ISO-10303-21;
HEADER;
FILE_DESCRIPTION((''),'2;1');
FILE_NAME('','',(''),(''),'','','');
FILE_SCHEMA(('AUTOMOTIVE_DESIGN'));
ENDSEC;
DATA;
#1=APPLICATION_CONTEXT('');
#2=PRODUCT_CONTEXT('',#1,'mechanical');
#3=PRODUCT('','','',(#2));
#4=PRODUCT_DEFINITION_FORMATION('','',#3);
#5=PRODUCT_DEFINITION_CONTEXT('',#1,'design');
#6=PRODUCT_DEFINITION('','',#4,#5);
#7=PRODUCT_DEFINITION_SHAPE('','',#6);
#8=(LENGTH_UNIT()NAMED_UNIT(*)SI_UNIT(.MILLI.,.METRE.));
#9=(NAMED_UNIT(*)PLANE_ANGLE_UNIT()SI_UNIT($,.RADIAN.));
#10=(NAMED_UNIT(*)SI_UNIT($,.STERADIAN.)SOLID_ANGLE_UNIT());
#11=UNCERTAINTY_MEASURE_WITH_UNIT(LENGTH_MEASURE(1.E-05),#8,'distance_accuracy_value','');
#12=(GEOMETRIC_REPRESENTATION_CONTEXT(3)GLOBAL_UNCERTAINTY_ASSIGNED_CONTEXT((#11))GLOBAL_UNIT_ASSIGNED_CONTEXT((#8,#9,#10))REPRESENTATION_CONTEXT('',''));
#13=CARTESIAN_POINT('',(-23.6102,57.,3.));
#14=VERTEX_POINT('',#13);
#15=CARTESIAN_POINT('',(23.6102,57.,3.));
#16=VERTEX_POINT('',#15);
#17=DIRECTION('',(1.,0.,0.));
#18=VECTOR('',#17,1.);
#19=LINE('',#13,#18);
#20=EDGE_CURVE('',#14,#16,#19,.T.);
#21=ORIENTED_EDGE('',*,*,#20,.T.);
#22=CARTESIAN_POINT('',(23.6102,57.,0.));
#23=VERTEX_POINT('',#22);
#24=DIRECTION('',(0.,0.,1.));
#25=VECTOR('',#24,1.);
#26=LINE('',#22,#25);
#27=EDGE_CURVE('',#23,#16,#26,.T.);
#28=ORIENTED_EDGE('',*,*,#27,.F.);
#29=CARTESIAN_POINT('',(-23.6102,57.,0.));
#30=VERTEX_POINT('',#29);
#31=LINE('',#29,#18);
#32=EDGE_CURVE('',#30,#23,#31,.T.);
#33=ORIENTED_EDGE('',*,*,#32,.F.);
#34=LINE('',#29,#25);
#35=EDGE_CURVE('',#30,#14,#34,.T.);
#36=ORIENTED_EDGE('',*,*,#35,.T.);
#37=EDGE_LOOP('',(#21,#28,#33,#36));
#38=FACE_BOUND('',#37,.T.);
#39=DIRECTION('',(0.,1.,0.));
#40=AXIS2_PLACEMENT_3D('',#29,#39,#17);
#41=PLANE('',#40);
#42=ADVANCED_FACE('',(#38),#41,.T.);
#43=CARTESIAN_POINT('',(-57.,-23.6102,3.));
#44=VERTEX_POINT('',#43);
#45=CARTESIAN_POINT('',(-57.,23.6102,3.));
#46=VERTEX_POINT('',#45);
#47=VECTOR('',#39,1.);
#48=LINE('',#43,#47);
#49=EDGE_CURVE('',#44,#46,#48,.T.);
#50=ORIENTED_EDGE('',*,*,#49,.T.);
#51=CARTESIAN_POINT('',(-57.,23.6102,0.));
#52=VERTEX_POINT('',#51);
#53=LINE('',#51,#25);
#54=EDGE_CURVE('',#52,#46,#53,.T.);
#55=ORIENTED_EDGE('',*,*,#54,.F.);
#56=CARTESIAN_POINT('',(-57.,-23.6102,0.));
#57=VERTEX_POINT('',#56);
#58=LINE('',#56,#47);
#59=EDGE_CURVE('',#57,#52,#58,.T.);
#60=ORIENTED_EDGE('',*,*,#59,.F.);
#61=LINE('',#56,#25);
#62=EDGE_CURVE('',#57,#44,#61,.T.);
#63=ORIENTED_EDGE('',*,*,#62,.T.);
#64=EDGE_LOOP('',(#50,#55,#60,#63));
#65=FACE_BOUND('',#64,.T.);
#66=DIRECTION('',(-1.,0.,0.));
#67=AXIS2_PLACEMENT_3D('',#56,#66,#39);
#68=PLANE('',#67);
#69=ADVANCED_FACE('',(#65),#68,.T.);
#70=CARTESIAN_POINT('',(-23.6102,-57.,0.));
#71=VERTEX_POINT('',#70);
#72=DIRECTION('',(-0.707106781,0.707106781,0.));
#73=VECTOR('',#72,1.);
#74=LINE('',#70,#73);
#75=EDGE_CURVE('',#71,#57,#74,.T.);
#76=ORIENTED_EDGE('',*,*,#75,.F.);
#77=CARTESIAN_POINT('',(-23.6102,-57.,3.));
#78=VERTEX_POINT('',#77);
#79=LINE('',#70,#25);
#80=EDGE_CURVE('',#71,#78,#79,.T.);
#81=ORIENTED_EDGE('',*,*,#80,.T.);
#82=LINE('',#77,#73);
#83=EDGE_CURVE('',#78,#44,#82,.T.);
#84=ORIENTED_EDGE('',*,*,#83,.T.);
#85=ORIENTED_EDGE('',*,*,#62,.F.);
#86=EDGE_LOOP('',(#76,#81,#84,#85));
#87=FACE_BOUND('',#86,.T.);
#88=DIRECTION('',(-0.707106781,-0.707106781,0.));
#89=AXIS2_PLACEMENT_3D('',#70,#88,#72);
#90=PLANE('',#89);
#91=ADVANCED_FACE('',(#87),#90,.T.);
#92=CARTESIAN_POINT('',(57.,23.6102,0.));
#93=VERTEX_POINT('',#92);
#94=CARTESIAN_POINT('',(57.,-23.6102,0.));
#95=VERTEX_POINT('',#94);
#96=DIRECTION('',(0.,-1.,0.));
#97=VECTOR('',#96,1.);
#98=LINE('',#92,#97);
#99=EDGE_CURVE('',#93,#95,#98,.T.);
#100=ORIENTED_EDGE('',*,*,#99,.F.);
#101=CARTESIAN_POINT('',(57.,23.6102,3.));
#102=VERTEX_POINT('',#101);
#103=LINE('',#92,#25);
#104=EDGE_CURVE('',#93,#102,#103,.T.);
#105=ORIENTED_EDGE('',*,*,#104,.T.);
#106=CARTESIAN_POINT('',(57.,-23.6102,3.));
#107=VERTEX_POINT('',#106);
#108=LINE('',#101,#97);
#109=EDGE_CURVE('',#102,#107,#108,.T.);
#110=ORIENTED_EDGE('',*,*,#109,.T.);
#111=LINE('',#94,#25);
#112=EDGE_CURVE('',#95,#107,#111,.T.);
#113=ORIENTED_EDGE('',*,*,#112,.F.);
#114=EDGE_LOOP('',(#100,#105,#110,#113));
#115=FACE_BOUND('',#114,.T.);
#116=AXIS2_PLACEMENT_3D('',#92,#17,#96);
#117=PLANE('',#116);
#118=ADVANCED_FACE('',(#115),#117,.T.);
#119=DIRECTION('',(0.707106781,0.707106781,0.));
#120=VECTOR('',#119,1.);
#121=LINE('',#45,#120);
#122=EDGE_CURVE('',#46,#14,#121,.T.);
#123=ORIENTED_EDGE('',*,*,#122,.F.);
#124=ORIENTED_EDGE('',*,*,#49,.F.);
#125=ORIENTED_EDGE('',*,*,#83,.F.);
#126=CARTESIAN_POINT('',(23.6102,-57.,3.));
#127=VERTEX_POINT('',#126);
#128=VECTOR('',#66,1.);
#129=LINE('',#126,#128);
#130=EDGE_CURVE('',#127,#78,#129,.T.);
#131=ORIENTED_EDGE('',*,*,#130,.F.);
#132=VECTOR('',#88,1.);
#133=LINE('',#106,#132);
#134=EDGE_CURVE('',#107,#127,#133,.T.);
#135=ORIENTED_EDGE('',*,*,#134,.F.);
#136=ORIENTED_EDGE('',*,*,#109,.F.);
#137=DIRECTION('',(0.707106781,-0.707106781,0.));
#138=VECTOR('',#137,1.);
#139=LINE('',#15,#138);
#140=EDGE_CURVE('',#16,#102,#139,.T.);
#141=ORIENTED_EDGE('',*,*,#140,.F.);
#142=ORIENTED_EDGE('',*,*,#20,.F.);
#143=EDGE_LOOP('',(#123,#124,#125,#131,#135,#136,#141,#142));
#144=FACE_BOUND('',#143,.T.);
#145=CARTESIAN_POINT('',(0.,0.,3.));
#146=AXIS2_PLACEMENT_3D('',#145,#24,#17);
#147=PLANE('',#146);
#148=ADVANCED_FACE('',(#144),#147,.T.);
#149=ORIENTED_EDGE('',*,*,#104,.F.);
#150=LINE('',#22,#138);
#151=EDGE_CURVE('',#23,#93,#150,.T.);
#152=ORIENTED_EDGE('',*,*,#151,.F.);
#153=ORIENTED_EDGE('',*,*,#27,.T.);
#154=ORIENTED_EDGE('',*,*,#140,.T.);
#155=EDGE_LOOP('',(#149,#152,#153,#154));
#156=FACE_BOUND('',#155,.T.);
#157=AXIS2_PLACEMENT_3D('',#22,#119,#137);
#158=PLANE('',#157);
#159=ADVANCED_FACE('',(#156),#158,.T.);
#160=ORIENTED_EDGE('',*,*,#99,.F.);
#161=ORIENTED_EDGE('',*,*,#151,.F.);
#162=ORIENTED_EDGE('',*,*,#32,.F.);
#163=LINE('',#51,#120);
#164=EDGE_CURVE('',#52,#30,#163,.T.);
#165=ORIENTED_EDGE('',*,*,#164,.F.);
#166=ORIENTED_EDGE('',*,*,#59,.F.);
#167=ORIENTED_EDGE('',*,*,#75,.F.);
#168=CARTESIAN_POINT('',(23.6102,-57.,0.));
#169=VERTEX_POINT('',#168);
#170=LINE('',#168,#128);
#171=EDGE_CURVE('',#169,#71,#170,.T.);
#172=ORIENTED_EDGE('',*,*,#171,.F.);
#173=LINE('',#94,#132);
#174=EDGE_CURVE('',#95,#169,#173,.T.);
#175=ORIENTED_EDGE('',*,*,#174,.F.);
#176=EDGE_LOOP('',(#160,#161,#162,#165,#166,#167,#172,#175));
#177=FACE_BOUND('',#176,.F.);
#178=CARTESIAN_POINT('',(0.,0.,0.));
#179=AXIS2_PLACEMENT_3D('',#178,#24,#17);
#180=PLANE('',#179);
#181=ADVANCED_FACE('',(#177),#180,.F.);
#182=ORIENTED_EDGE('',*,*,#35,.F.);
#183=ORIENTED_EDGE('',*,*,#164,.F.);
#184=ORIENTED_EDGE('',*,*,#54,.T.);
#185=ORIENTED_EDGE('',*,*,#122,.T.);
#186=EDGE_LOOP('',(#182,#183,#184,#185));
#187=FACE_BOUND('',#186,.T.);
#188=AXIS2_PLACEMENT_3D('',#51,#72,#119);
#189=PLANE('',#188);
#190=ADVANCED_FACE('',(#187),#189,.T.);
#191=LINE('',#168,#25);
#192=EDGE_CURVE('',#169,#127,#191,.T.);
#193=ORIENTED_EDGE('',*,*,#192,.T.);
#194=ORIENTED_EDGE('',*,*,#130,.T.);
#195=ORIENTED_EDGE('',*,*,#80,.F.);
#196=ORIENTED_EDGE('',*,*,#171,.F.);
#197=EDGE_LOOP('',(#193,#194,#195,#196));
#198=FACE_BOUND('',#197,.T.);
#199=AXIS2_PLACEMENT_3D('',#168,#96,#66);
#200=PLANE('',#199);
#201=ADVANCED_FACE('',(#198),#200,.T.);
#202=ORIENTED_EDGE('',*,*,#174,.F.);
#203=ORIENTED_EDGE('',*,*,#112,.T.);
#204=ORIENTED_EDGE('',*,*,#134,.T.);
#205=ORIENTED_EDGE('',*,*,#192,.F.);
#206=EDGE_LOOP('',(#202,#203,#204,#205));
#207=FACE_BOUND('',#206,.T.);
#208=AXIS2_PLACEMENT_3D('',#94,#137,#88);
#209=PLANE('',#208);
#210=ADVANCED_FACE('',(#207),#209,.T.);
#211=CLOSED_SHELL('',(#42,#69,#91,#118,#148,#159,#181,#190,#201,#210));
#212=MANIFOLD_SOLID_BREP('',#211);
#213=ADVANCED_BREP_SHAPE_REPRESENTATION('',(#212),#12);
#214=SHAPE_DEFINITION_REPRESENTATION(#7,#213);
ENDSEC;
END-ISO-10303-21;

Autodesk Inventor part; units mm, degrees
ref_plane "YZ Plane" through (0, 0, 0) normal (1, 0, 0) x (0, 1, 0)
ref_plane "XZ Plane" through (0, 0, 0) normal (0, 1, 0) x (-1, 0, 0)
ref_plane "XY Plane" through (0, 0, 0) normal (0, 0, 1) x (1, 0, 0)
sketch "Sketch1" plane through (0, 0, 0) normal (0, 0, 1) x (1, 0, 0)
  circle A0 centre (0, 0) radius 57 construction
  circle A1 centre (0, 0) radius 105 construction
  line L0 (105, -105) -> (-105, -105)
  line L1 (-105, -105) -> (-105, 105)
  line L2 (-105, 105) -> (105, 105)
  line L3 (105, 105) -> (105, -105)
  line L4 (105, -105) -> (-105, 105) construction
  line L5 (-105, -105) -> (105, 105) construction
  line L6 (43.4924, 105) -> (105, 43.4924)
  line L7 (105, 43.4924) -> (105, -43.4924)
  line L8 (105, -43.4924) -> (43.4924, -105)
  line L9 (43.4924, -105) -> (-43.4924, -105)
  line L10 (-43.4924, -105) -> (-105, -43.4924)
  line L11 (-105, -43.4924) -> (-105, 43.4924)
  line L12 (-105, 43.4924) -> (-43.4924, 105)
  line L13 (-43.4924, 105) -> (43.4924, 105)
  line L14 (23.6102, 57) -> (57, 23.6102)
  line L15 (57, 23.6102) -> (57, -23.6102)
  line L16 (57, -23.6102) -> (23.6102, -57)
  line L17 (23.6102, -57) -> (-23.6102, -57)
  line L18 (-23.6102, -57) -> (-57, -23.6102)
  line L19 (-57, -23.6102) -> (-57, 23.6102)
  line L20 (-57, 23.6102) -> (-23.6102, 57)
  line L21 (-23.6102, 57) -> (23.6102, 57)
  point P0 (0, 105)
  point P1 (-105, 43.4924)
  point P2 (-43.4924, -105)
  point P3 (0, 57)
  dimension "d22" = 114
  dimension "d23" = 210
extrude "Plate1" add sketch "Sketch1" along normal blind 3 contours L14 L15 L16 L17 L18 L19 L20 L21
sketch "Sketch6" plane through (0, 0, 0) normal (0, 0, 1) x (1, 0, 0)
  line L0 (0, 0) -> (0, 85) construction
  circle A0 centre (0, 0) radius 85 construction
  line L1 (0, 0) -> (60.1041, 60.1041) construction
  circle A1 centre (60.1041, 60.1041) radius 9
  dimension "d32" = 18
  dimension "d33" = 170
  dimension "d34" = 45
cut "Cut2" [suppressed]
pattern_circular "Circular Pattern2" [suppressed]
equation "\"d23\" = Flange_D_outer"
equation "\"d32\" = Flange_d_hole_diam"
equation "\"d33\" = Flange_D1_hole_center"
equation "\"d35\" = Thickness"
equation "\"d2\" = Thickness"
equation "\"BendReliefWidth\" = Thickness"
equation "\"BendReliefDepth\" = 0.5 * Thickness"
equation "\"CornerReliefSize\" = 4 * Thickness"
equation "\"MinimumRemnant\" = 2 * Thickness"
equation "\"TransitionRadius\" = BendRadius"
equation "\"JacobiRadiusSize\" = BendRadius"
equation "\"GapSize\" = Thickness"
equation "\"Flange_D_outer\" = 210"
equation "\"Flange_d_hole_diam\" = 18"
equation "\"Flange_D1_hole_center\" = 170"
equation "\"Thickness\" = 3"
equation "\"BendRadius\" = 5"
properties part number "210 DS-B Axis cap" material "Stainless Steel"
